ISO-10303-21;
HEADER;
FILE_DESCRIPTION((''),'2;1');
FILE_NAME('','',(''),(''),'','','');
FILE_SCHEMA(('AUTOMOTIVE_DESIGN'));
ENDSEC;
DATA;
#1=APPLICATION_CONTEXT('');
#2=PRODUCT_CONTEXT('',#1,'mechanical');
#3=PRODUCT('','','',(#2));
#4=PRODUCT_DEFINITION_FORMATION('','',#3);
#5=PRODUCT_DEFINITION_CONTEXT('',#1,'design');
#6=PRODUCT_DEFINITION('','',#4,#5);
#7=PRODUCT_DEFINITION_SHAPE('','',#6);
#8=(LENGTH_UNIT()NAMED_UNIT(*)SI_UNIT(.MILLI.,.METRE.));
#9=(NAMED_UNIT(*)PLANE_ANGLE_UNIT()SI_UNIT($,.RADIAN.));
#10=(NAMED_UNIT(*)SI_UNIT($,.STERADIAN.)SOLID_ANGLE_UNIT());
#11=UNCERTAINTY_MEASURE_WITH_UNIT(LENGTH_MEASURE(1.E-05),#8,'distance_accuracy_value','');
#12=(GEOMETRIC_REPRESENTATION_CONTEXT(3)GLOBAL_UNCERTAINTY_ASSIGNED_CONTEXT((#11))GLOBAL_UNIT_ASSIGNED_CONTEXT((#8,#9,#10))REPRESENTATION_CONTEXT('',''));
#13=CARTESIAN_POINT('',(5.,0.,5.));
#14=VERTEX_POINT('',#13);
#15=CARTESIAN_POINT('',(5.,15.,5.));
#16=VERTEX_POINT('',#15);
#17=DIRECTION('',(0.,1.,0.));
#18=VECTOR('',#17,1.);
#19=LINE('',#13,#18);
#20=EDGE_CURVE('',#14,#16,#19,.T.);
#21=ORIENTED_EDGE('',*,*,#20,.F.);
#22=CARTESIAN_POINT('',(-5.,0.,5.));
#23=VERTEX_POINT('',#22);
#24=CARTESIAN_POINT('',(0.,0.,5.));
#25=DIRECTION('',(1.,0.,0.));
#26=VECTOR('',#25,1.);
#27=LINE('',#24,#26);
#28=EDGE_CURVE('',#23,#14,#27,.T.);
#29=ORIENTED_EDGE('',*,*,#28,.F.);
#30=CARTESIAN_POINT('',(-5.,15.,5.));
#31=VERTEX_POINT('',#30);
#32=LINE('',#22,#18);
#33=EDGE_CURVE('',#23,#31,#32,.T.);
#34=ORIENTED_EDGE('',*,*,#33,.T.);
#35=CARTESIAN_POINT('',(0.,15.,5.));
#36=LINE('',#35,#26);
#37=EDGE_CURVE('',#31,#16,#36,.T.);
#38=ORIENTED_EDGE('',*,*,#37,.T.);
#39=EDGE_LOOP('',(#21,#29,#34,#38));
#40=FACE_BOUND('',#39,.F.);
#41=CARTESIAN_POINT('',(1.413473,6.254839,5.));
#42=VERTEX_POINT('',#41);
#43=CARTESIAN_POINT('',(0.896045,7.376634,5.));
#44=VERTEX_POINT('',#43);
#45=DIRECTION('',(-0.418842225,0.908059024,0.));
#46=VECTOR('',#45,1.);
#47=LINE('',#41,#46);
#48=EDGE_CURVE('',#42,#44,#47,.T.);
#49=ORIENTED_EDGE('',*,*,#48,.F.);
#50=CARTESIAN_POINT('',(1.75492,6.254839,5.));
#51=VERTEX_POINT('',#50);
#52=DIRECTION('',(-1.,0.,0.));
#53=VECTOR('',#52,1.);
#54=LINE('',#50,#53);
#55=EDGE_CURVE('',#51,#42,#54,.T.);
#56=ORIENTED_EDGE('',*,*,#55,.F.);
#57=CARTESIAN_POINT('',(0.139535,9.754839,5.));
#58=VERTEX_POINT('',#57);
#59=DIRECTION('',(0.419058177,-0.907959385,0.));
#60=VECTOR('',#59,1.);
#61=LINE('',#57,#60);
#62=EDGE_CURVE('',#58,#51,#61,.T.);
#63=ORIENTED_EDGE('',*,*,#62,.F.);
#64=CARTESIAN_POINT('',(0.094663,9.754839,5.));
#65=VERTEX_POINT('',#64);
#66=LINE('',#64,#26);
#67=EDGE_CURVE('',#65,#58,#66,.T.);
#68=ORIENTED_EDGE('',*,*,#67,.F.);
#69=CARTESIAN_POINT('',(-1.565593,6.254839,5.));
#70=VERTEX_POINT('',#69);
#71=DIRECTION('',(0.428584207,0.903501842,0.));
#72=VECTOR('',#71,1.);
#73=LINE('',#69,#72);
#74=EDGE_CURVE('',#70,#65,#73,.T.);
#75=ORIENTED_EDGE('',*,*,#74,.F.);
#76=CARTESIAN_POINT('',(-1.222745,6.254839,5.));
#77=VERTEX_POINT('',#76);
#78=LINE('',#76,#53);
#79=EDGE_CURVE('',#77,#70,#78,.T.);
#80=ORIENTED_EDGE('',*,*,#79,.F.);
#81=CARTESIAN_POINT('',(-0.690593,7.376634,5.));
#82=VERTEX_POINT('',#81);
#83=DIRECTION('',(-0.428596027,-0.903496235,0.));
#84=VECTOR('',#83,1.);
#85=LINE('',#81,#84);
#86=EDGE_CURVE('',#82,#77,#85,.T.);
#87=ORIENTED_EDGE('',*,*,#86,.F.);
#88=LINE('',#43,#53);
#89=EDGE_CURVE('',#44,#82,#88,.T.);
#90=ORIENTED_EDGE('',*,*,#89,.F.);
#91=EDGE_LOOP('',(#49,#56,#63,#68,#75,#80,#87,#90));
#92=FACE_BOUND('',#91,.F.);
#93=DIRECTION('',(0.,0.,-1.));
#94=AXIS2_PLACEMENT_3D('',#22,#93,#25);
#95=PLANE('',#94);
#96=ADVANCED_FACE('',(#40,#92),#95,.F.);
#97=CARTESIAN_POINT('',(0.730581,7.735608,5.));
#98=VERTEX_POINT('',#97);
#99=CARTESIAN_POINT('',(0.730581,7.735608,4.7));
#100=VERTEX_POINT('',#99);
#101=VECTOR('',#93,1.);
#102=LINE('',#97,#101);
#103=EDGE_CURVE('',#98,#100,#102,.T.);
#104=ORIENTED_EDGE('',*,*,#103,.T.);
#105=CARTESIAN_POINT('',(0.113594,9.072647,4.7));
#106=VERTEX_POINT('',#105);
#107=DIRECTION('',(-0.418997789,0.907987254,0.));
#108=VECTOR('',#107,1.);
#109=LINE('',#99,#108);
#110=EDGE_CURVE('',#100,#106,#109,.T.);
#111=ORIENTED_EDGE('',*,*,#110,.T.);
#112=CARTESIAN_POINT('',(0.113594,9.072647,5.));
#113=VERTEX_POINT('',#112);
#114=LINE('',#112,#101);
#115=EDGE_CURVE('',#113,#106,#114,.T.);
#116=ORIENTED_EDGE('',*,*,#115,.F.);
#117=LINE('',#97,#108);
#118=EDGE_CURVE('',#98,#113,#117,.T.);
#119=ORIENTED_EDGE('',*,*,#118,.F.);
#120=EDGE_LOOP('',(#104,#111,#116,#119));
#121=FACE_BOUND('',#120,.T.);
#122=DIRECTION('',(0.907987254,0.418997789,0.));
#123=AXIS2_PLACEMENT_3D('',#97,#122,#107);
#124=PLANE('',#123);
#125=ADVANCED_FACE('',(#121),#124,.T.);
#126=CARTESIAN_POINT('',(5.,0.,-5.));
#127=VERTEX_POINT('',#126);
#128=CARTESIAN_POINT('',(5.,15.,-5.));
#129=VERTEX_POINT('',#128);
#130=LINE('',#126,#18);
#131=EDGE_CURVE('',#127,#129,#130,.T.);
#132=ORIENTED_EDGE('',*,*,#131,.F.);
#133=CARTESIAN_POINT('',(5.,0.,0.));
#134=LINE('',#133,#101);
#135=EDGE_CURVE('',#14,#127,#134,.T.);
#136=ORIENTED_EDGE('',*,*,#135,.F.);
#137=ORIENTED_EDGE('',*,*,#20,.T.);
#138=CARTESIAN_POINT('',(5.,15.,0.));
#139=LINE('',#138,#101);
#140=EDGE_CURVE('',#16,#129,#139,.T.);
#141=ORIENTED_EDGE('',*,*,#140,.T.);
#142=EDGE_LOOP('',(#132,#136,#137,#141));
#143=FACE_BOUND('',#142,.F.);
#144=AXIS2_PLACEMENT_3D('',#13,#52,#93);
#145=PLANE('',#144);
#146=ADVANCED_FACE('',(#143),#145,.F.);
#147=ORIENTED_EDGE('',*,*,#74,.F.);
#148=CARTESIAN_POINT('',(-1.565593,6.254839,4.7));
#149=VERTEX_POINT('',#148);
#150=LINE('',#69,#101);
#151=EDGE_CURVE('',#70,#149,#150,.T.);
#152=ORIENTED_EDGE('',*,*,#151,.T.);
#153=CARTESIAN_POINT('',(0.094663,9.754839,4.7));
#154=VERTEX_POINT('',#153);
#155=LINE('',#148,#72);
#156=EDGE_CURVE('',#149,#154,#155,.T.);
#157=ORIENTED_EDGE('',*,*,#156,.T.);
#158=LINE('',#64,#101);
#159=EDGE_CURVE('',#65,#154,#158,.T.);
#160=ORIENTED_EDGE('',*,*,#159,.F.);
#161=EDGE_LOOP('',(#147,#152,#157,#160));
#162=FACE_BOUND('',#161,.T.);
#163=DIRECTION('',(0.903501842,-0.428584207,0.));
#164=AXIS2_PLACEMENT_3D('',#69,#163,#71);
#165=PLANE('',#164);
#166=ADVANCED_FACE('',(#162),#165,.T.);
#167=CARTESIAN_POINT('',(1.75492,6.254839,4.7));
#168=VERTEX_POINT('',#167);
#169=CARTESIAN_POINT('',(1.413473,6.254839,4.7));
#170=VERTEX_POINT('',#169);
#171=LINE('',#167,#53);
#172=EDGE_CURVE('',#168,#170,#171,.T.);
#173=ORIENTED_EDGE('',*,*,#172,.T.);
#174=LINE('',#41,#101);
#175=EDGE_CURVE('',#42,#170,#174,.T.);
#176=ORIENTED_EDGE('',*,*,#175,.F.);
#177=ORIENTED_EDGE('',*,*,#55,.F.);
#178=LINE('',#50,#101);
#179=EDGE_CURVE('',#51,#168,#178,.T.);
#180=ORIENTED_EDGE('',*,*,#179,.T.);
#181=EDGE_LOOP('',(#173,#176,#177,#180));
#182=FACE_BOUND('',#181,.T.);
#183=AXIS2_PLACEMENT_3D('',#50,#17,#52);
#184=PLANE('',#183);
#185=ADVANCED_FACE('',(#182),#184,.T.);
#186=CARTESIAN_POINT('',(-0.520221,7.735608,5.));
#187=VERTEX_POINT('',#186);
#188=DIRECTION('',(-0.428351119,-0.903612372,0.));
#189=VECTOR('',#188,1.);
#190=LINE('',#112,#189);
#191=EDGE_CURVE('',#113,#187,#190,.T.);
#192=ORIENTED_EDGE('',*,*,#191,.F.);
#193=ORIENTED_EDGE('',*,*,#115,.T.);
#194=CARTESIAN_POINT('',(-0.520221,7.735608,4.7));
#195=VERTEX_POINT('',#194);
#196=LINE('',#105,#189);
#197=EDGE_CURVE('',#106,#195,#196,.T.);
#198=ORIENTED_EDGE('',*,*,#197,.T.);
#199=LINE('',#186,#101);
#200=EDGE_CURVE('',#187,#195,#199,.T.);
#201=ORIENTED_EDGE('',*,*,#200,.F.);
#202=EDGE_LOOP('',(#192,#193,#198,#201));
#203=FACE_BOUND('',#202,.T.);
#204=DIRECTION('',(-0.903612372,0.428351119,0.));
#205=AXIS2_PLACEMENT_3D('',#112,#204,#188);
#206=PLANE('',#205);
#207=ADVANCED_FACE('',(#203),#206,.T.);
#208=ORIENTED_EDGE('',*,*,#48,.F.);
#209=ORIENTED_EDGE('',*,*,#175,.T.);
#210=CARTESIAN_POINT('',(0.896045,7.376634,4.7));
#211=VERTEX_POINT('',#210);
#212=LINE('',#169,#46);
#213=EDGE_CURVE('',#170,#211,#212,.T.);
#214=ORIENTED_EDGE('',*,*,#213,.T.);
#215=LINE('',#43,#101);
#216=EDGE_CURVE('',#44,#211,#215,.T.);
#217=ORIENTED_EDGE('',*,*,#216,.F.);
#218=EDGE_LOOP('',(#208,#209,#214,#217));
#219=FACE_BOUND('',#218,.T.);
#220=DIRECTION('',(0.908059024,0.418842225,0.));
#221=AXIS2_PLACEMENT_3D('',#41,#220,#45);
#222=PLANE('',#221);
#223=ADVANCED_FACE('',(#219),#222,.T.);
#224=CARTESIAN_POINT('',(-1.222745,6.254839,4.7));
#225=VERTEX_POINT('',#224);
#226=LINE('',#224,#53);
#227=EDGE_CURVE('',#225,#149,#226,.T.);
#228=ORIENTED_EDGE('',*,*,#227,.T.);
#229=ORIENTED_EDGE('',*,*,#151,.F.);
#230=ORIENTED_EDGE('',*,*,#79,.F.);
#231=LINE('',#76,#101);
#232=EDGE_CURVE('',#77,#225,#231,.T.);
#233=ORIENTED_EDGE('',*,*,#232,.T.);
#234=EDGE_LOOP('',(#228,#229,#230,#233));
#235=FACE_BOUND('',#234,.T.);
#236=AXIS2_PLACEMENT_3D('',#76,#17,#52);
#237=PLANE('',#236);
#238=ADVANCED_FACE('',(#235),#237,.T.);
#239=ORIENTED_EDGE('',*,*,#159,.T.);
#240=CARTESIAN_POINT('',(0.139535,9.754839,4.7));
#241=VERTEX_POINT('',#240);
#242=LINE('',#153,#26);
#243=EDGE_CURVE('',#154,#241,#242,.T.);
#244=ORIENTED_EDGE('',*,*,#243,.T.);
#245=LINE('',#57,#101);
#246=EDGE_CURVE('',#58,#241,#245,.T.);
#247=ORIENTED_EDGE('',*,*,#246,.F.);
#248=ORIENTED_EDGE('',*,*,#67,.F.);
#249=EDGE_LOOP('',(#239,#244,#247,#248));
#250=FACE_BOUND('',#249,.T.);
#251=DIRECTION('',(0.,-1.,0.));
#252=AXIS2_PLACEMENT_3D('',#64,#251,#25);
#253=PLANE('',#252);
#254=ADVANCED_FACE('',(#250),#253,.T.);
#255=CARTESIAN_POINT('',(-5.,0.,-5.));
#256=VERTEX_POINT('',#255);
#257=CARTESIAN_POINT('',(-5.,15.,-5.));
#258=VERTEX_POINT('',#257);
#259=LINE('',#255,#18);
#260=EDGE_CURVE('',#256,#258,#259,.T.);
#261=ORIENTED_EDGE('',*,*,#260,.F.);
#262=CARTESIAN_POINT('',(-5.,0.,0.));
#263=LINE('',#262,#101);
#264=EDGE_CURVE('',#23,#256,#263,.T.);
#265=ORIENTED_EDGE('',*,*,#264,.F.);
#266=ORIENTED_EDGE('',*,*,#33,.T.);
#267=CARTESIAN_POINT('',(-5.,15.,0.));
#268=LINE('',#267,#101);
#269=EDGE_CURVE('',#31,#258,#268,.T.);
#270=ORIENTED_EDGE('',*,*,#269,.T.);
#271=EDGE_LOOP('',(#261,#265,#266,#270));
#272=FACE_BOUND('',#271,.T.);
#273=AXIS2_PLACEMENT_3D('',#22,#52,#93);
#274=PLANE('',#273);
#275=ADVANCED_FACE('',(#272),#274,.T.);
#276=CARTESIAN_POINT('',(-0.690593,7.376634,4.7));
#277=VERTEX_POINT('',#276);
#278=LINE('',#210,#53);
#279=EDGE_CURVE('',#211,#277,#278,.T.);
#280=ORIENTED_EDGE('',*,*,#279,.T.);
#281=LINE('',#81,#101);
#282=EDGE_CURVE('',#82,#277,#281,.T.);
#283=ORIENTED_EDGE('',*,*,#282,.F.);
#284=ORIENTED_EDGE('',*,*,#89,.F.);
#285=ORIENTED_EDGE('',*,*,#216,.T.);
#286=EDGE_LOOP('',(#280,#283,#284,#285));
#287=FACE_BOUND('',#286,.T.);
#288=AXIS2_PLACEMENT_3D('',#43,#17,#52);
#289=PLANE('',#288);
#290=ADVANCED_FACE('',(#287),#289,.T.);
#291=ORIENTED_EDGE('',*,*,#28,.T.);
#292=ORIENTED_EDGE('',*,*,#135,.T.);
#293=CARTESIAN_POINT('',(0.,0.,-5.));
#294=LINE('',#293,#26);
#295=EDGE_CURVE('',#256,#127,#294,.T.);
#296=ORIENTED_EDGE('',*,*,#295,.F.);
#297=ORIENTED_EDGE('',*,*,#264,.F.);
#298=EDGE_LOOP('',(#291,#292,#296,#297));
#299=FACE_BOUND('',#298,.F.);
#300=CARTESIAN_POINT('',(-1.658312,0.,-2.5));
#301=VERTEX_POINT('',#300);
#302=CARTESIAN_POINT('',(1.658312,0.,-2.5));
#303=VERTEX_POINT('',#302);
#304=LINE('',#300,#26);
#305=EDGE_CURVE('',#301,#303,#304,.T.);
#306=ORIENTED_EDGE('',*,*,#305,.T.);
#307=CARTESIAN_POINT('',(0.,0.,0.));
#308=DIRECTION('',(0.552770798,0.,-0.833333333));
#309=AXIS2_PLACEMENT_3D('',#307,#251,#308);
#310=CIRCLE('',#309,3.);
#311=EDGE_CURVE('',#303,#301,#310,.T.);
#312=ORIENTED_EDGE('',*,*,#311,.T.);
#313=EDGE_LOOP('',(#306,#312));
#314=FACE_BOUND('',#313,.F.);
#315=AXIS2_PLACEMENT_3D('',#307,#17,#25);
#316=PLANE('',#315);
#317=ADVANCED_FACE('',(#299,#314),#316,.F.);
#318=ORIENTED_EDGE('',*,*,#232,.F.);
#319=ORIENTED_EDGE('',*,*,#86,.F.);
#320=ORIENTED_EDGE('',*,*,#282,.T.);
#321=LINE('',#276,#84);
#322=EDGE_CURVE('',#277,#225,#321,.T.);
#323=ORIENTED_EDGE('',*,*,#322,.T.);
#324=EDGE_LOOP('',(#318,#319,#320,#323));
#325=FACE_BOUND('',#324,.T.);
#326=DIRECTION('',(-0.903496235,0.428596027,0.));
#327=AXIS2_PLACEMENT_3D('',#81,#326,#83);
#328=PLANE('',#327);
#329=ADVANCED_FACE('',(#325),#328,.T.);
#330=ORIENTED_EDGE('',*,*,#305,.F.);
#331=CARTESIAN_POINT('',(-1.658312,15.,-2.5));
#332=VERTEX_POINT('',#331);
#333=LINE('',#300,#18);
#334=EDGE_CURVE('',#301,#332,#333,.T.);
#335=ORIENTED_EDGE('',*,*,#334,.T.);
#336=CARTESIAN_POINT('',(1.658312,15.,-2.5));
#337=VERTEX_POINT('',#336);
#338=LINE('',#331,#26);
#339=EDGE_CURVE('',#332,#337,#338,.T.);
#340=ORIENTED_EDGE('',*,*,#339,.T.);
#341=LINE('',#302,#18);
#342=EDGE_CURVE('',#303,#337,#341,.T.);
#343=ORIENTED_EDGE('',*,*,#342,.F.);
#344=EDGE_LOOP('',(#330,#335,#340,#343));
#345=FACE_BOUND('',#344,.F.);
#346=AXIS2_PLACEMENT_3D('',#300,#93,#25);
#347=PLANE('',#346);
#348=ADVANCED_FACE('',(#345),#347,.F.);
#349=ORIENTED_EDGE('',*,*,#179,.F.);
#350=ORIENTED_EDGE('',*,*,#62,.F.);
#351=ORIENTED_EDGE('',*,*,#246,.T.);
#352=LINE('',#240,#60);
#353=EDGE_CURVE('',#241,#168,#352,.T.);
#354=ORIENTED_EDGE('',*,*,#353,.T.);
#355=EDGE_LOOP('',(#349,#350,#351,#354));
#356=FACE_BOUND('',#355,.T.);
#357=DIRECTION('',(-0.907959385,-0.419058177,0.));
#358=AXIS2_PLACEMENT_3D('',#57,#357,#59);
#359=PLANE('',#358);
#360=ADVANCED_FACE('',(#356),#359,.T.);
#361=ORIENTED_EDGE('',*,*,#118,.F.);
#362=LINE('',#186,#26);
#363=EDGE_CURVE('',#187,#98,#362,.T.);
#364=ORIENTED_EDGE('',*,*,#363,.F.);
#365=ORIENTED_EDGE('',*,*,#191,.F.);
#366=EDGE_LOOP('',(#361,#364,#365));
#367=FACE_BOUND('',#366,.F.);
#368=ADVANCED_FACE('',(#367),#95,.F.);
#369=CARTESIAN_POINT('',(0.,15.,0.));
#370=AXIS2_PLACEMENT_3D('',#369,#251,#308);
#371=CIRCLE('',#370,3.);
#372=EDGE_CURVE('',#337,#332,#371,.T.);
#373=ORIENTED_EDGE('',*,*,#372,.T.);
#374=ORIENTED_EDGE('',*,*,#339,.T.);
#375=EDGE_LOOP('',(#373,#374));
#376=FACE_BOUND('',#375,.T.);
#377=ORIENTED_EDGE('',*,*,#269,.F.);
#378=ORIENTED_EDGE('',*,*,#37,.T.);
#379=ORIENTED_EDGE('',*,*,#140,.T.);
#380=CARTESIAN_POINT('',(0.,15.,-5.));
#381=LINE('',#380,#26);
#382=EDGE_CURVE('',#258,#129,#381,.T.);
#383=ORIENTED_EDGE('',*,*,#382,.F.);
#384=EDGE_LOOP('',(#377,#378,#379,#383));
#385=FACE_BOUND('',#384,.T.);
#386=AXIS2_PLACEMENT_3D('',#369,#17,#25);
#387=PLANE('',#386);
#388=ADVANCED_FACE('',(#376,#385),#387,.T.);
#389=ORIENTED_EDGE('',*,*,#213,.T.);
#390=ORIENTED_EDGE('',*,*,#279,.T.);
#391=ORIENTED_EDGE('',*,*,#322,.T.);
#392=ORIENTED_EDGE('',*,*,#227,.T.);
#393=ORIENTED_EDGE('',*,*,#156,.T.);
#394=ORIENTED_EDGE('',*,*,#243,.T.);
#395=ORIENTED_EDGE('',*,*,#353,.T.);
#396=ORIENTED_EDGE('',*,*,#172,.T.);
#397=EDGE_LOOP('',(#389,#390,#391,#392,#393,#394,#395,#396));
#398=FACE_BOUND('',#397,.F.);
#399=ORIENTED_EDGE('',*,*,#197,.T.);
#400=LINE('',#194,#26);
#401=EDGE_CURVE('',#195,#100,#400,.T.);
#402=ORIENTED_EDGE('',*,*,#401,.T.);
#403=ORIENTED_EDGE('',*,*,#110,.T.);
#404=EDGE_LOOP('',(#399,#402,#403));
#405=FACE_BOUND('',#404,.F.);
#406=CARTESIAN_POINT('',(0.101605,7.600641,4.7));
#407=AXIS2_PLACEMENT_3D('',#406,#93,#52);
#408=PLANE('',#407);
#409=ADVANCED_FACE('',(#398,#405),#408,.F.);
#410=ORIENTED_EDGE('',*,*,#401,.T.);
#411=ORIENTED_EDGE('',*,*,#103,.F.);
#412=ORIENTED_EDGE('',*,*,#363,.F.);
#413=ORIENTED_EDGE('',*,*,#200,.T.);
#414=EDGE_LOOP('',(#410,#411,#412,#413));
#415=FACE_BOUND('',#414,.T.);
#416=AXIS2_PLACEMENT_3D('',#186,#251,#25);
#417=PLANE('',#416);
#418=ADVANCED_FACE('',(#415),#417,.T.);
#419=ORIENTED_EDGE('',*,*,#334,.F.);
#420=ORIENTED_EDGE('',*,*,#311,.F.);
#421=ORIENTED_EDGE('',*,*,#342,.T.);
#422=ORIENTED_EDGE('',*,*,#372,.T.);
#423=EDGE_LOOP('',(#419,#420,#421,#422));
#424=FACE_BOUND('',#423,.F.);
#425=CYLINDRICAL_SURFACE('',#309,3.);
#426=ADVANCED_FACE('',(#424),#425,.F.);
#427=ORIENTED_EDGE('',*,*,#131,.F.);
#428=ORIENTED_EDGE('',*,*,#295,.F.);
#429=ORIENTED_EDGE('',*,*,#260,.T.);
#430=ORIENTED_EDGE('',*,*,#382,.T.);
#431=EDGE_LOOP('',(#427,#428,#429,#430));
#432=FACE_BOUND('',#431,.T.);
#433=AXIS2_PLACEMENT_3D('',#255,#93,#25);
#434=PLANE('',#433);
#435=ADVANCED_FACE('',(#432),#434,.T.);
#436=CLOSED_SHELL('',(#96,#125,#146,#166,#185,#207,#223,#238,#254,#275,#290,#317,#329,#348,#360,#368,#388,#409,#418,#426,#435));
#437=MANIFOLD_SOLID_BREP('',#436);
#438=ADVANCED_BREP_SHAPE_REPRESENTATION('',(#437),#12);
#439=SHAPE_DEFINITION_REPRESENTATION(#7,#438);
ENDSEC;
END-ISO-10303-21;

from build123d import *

# Parameters (mm, degrees)
SKETCH1_W           = 10
SKETCH1_H           = 10
BOSS_EXTRUDE1_DEPTH = 15
CUT_EXTRUDE1_DEPTH  = 0.3


with BuildPart() as part:
    # Sketch1 → Boss-Extrude1 (new body)
    with BuildSketch(Plane(origin=(0, 0, 0), x_dir=(1, 0, 0), z_dir=(0, 1, 0))):
        Rectangle(SKETCH1_W, SKETCH1_H)
        with BuildLine():
            Line((-1.658312395, 2.5), (1.658312395, 2.5))
            ThreePointArc((1.658312395, 2.5), (0, -3), (-1.658312395, 2.5))
        make_face(mode=Mode.SUBTRACT)
    extrude(amount=BOSS_EXTRUDE1_DEPTH)

    # Sketch2 → Cut-Extrude1 (cut)
    with BuildSketch(Plane.XY.offset(5)):
        Polygon((0.139535008, 9.754838654), (1.754919623, 6.254838654), (1.413473309, 6.254838654), (0.896045424, 7.376633526), (-0.690593197, 7.376633526), (-1.22274464, 6.254838654), (-1.565593197, 6.254838654), (0.094663213, 9.754838654), align=None)
        Polygon((0.113593501, 9.072647148), (-0.520220601, 7.735607885), (0.730580681, 7.735607885), align=None, mode=Mode.SUBTRACT)
    extrude(amount=-CUT_EXTRUDE1_DEPTH, mode=Mode.SUBTRACT)


solid = part.part
